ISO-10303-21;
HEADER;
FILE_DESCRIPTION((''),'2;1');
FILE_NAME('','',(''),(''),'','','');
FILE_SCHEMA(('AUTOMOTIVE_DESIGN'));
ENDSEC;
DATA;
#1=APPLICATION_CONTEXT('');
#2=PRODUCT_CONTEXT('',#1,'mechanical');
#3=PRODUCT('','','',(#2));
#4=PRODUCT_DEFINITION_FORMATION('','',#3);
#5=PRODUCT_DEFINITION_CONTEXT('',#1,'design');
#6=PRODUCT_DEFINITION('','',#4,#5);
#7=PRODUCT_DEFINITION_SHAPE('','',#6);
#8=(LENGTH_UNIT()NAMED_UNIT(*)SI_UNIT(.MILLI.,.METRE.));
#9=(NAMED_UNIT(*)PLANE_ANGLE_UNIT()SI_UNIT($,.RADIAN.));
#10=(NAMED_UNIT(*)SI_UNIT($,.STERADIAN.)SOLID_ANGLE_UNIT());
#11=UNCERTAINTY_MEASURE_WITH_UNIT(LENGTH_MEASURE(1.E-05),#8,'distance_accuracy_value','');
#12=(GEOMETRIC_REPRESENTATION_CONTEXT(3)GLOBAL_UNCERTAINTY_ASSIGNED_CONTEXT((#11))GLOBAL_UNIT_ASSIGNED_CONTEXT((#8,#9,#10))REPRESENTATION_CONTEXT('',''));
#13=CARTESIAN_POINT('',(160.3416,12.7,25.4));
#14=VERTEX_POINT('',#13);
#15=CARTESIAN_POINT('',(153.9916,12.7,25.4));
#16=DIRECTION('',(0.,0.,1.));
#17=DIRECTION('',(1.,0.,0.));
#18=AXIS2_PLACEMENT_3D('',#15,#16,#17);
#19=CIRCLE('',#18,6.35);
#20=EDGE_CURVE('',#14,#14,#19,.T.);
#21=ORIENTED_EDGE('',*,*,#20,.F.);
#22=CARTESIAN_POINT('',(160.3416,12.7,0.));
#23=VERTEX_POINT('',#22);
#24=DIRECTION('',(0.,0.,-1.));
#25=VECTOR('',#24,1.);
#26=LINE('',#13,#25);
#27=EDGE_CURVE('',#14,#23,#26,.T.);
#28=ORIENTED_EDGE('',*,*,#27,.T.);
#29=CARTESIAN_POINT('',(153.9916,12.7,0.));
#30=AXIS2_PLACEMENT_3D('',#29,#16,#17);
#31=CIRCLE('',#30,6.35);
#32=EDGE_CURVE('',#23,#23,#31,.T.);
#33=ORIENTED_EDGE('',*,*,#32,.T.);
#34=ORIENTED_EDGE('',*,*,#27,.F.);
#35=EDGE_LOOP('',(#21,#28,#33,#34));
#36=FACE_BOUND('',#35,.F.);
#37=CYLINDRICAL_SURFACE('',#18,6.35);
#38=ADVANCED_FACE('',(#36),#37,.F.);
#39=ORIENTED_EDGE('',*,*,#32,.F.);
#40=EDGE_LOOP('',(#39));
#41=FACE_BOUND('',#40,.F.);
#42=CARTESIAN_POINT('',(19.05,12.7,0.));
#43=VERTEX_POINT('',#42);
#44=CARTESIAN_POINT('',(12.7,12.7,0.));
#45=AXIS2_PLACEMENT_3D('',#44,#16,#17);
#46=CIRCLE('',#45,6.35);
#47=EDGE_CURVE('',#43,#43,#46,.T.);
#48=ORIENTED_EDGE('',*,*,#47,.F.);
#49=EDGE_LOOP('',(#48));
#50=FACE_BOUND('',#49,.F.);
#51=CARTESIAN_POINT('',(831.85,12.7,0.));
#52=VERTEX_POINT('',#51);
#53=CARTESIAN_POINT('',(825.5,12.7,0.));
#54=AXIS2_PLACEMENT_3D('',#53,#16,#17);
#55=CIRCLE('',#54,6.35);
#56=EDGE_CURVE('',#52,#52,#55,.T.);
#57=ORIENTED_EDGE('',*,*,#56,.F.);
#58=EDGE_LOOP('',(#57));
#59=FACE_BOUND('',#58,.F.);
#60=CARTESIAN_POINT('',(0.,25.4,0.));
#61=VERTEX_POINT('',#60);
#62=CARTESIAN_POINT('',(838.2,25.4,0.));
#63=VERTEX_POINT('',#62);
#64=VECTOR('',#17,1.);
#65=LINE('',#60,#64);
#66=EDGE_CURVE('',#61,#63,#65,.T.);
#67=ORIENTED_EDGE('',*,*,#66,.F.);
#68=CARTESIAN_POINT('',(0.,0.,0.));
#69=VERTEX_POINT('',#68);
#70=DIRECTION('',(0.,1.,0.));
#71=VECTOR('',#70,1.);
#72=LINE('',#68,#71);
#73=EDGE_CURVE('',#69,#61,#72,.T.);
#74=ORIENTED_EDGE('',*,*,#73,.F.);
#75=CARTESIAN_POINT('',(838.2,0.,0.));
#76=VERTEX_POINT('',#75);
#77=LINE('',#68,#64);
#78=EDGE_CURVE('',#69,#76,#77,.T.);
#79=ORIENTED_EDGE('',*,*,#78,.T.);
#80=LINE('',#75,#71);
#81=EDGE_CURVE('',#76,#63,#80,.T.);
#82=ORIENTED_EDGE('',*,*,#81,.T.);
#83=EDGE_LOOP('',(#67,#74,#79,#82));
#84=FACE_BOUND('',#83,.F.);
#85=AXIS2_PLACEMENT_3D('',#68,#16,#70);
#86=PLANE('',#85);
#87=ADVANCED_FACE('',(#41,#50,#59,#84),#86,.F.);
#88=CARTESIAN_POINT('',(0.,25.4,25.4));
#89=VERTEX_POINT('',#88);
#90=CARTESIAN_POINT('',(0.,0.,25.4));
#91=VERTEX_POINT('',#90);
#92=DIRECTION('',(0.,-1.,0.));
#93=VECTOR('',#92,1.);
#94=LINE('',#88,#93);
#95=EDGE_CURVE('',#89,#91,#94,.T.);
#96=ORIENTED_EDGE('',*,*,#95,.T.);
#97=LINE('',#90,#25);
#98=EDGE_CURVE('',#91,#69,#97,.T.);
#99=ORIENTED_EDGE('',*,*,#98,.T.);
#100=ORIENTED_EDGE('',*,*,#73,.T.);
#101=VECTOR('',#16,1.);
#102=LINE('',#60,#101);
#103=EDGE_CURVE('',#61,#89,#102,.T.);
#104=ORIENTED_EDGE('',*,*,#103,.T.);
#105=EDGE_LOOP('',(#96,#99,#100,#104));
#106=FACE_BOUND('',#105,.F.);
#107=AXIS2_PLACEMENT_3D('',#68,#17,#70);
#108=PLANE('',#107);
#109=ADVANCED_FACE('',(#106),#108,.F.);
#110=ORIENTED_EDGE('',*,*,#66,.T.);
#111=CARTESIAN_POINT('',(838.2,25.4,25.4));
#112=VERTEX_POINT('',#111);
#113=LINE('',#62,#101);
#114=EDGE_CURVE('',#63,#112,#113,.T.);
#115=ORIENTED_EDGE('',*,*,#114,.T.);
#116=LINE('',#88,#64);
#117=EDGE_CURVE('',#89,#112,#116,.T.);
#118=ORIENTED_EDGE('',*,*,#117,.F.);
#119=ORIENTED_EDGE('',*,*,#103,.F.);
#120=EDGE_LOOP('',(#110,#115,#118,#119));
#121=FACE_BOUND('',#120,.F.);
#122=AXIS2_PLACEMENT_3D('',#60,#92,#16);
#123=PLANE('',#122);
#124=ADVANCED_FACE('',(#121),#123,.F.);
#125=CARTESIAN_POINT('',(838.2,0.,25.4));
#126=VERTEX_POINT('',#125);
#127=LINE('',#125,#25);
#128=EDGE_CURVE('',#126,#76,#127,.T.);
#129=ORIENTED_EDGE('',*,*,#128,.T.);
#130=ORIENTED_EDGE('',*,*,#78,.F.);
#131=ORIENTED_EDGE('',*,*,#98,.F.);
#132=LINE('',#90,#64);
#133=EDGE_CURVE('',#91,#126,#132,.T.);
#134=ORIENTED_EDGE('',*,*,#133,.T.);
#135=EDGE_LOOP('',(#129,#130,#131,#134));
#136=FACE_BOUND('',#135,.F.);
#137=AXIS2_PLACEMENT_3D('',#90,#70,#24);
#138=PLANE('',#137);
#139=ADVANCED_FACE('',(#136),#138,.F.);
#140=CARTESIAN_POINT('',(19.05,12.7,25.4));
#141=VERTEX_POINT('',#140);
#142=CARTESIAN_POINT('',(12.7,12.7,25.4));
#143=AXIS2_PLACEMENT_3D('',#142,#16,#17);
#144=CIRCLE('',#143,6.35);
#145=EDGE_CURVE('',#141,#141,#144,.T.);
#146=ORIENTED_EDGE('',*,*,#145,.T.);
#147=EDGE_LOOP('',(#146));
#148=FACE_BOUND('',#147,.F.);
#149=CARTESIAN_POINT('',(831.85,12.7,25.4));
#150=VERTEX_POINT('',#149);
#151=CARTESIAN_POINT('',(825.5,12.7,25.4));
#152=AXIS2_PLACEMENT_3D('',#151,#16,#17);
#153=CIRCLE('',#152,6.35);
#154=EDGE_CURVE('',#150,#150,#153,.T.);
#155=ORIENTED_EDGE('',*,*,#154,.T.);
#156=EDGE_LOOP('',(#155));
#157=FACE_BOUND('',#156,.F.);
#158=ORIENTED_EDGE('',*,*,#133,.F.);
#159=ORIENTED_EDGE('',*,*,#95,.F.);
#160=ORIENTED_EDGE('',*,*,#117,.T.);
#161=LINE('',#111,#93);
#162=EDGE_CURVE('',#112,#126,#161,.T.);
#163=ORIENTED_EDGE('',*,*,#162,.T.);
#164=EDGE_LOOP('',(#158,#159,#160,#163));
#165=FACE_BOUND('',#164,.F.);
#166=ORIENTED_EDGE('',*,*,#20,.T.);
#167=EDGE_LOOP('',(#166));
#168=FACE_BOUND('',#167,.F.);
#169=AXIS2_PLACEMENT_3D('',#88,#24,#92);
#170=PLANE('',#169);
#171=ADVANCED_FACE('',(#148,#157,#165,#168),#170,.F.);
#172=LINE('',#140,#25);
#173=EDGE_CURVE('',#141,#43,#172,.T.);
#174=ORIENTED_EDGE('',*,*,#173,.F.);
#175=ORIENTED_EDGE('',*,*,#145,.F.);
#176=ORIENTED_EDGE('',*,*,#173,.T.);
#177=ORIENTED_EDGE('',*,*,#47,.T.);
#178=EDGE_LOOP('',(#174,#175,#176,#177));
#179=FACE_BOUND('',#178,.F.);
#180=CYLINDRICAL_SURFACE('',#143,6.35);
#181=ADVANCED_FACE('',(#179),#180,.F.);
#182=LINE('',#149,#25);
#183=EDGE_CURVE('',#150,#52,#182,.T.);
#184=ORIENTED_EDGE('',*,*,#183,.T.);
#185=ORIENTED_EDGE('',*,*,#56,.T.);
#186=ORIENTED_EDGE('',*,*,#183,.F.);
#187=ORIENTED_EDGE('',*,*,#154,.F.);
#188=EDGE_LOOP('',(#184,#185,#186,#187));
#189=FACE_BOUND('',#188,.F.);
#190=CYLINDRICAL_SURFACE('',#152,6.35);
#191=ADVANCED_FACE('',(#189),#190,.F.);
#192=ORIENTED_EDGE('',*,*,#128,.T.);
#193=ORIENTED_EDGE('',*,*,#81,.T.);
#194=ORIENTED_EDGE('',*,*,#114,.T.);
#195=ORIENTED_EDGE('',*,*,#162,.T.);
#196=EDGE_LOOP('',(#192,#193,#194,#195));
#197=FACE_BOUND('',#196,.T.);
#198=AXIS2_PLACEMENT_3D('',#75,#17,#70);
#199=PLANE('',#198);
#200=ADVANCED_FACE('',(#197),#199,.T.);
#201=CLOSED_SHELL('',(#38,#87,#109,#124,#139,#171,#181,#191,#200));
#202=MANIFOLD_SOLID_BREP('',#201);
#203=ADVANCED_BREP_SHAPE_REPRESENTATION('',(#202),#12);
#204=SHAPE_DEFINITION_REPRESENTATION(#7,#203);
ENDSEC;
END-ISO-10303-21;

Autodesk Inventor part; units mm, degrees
ref_plane "YZ Plane" through (0, 0, 0) normal (1, 0, 0) x (0, 1, 0)
ref_plane "XZ Plane" through (0, 0, 0) normal (0, 1, 0) x (-1, 0, 0)
ref_plane "XY Plane" through (0, 0, 0) normal (0, 0, 1) x (1, 0, 0)
sketch "Sketch1" plane through (0, 0, 0) normal (1, 0, 0) x (0, 1, 0)
  line L0 (0, 0) -> (25.4, 0)
  line L1 (25.4, 0) -> (25.4, 25.4)
  line L2 (25.4, 25.4) -> (0, 25.4)
  line L3 (0, 25.4) -> (0, 0)
  dimension "d0" = 25.4
  dimension "d1" = 25.4
extrude "Extrusion1" add sketch "Sketch1" along normal blind 838.2
sketch "Sketch2" plane through (0, 0, 25.4) normal (0, 0, 1) x (1, 0, 0)
  circle A0 centre (12.7, 12.7) radius 6.35
  line L0 (0, 25.4) -> (838.2, 25.4) projected
  line L1 (0, 0) -> (0, 25.4) projected
  circle A1 centre (825.5, 12.7) radius 6.35
  line L2 (838.2, 25.4) -> (838.2, 0) projected
  circle A2 centre (153.9916, 12.7) radius 6.35
  dimension "d4" = 12.7
  dimension "d5" = 12.7
  dimension "d6" = 12.7
  dimension "d9" = 12.7
  dimension "d10" = 12.7
  dimension "d11" = 12.7
  dimension "d24" = 12.7
  dimension "d25" = 12.7
  dimension "d26" = 153.9916
extrude "Extrusion2" cut sketch "Sketch2" against normal blind 1016
properties material "Aluminum 6061"
